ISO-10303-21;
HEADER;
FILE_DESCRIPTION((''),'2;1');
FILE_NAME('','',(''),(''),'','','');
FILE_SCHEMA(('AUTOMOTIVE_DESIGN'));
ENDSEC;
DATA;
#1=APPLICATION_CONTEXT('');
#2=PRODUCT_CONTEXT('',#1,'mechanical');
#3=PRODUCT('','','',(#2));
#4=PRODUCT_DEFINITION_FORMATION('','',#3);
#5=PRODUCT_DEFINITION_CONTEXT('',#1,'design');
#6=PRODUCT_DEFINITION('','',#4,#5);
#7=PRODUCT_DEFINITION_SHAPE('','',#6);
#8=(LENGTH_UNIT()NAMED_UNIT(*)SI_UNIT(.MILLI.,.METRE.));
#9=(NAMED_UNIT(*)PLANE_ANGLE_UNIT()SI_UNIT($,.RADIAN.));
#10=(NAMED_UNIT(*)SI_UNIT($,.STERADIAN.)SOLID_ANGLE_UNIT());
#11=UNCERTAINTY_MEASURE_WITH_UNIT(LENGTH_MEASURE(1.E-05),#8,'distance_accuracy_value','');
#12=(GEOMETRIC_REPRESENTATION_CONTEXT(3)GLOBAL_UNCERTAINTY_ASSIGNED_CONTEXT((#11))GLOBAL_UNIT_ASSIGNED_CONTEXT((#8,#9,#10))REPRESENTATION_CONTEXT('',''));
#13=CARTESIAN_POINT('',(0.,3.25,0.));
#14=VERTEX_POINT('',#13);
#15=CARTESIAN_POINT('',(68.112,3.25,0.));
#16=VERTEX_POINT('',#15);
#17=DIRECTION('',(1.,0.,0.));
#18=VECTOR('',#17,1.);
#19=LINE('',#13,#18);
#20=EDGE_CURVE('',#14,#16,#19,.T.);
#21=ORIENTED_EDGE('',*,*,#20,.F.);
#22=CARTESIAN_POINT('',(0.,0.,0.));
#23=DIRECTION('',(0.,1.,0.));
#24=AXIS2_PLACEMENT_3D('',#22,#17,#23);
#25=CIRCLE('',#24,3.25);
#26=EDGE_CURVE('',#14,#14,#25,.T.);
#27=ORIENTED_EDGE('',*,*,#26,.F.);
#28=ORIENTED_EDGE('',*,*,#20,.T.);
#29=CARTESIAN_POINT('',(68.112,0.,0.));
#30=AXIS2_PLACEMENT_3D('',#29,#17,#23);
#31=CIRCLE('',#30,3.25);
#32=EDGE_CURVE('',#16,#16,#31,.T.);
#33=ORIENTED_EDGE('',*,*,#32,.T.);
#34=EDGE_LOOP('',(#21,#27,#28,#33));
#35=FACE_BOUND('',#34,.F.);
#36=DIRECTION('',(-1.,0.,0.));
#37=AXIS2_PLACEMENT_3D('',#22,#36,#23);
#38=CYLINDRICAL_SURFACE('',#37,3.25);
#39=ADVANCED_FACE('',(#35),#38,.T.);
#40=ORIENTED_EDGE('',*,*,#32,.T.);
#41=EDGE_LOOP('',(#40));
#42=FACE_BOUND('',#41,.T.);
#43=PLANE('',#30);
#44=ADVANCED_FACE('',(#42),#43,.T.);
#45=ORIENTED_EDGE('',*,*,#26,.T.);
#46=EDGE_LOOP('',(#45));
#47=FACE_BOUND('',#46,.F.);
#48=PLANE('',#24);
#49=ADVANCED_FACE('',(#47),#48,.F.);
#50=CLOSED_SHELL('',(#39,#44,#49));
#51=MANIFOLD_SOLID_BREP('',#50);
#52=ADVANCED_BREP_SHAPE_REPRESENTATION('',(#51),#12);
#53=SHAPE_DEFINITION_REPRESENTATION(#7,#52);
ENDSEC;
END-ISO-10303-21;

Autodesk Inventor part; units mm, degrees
ref_plane "YZ Plane" through (0, 0, 0) normal (1, 0, 0) x (0, 1, 0)
ref_plane "XZ Plane" through (0, 0, 0) normal (0, 1, 0) x (-1, 0, 0)
ref_plane "XY Plane" through (0, 0, 0) normal (0, 0, 1) x (1, 0, 0)
sketch "Sketch1" plane through (0, 0, 0) normal (1, 0, 0) x (0, 1, 0)
  circle A0 centre (0, 0) radius 3.25
  dimension "d0" = 6.5
extrude "Extrusion1" add sketch "Sketch1" along normal blind 68.112
ref_plane "Work Plane1" through (34.056, 0, 0) normal (1, 0, 0) x (0, 0, -1)
properties part number "linac_lower_ax" material "Stainless Steel"
